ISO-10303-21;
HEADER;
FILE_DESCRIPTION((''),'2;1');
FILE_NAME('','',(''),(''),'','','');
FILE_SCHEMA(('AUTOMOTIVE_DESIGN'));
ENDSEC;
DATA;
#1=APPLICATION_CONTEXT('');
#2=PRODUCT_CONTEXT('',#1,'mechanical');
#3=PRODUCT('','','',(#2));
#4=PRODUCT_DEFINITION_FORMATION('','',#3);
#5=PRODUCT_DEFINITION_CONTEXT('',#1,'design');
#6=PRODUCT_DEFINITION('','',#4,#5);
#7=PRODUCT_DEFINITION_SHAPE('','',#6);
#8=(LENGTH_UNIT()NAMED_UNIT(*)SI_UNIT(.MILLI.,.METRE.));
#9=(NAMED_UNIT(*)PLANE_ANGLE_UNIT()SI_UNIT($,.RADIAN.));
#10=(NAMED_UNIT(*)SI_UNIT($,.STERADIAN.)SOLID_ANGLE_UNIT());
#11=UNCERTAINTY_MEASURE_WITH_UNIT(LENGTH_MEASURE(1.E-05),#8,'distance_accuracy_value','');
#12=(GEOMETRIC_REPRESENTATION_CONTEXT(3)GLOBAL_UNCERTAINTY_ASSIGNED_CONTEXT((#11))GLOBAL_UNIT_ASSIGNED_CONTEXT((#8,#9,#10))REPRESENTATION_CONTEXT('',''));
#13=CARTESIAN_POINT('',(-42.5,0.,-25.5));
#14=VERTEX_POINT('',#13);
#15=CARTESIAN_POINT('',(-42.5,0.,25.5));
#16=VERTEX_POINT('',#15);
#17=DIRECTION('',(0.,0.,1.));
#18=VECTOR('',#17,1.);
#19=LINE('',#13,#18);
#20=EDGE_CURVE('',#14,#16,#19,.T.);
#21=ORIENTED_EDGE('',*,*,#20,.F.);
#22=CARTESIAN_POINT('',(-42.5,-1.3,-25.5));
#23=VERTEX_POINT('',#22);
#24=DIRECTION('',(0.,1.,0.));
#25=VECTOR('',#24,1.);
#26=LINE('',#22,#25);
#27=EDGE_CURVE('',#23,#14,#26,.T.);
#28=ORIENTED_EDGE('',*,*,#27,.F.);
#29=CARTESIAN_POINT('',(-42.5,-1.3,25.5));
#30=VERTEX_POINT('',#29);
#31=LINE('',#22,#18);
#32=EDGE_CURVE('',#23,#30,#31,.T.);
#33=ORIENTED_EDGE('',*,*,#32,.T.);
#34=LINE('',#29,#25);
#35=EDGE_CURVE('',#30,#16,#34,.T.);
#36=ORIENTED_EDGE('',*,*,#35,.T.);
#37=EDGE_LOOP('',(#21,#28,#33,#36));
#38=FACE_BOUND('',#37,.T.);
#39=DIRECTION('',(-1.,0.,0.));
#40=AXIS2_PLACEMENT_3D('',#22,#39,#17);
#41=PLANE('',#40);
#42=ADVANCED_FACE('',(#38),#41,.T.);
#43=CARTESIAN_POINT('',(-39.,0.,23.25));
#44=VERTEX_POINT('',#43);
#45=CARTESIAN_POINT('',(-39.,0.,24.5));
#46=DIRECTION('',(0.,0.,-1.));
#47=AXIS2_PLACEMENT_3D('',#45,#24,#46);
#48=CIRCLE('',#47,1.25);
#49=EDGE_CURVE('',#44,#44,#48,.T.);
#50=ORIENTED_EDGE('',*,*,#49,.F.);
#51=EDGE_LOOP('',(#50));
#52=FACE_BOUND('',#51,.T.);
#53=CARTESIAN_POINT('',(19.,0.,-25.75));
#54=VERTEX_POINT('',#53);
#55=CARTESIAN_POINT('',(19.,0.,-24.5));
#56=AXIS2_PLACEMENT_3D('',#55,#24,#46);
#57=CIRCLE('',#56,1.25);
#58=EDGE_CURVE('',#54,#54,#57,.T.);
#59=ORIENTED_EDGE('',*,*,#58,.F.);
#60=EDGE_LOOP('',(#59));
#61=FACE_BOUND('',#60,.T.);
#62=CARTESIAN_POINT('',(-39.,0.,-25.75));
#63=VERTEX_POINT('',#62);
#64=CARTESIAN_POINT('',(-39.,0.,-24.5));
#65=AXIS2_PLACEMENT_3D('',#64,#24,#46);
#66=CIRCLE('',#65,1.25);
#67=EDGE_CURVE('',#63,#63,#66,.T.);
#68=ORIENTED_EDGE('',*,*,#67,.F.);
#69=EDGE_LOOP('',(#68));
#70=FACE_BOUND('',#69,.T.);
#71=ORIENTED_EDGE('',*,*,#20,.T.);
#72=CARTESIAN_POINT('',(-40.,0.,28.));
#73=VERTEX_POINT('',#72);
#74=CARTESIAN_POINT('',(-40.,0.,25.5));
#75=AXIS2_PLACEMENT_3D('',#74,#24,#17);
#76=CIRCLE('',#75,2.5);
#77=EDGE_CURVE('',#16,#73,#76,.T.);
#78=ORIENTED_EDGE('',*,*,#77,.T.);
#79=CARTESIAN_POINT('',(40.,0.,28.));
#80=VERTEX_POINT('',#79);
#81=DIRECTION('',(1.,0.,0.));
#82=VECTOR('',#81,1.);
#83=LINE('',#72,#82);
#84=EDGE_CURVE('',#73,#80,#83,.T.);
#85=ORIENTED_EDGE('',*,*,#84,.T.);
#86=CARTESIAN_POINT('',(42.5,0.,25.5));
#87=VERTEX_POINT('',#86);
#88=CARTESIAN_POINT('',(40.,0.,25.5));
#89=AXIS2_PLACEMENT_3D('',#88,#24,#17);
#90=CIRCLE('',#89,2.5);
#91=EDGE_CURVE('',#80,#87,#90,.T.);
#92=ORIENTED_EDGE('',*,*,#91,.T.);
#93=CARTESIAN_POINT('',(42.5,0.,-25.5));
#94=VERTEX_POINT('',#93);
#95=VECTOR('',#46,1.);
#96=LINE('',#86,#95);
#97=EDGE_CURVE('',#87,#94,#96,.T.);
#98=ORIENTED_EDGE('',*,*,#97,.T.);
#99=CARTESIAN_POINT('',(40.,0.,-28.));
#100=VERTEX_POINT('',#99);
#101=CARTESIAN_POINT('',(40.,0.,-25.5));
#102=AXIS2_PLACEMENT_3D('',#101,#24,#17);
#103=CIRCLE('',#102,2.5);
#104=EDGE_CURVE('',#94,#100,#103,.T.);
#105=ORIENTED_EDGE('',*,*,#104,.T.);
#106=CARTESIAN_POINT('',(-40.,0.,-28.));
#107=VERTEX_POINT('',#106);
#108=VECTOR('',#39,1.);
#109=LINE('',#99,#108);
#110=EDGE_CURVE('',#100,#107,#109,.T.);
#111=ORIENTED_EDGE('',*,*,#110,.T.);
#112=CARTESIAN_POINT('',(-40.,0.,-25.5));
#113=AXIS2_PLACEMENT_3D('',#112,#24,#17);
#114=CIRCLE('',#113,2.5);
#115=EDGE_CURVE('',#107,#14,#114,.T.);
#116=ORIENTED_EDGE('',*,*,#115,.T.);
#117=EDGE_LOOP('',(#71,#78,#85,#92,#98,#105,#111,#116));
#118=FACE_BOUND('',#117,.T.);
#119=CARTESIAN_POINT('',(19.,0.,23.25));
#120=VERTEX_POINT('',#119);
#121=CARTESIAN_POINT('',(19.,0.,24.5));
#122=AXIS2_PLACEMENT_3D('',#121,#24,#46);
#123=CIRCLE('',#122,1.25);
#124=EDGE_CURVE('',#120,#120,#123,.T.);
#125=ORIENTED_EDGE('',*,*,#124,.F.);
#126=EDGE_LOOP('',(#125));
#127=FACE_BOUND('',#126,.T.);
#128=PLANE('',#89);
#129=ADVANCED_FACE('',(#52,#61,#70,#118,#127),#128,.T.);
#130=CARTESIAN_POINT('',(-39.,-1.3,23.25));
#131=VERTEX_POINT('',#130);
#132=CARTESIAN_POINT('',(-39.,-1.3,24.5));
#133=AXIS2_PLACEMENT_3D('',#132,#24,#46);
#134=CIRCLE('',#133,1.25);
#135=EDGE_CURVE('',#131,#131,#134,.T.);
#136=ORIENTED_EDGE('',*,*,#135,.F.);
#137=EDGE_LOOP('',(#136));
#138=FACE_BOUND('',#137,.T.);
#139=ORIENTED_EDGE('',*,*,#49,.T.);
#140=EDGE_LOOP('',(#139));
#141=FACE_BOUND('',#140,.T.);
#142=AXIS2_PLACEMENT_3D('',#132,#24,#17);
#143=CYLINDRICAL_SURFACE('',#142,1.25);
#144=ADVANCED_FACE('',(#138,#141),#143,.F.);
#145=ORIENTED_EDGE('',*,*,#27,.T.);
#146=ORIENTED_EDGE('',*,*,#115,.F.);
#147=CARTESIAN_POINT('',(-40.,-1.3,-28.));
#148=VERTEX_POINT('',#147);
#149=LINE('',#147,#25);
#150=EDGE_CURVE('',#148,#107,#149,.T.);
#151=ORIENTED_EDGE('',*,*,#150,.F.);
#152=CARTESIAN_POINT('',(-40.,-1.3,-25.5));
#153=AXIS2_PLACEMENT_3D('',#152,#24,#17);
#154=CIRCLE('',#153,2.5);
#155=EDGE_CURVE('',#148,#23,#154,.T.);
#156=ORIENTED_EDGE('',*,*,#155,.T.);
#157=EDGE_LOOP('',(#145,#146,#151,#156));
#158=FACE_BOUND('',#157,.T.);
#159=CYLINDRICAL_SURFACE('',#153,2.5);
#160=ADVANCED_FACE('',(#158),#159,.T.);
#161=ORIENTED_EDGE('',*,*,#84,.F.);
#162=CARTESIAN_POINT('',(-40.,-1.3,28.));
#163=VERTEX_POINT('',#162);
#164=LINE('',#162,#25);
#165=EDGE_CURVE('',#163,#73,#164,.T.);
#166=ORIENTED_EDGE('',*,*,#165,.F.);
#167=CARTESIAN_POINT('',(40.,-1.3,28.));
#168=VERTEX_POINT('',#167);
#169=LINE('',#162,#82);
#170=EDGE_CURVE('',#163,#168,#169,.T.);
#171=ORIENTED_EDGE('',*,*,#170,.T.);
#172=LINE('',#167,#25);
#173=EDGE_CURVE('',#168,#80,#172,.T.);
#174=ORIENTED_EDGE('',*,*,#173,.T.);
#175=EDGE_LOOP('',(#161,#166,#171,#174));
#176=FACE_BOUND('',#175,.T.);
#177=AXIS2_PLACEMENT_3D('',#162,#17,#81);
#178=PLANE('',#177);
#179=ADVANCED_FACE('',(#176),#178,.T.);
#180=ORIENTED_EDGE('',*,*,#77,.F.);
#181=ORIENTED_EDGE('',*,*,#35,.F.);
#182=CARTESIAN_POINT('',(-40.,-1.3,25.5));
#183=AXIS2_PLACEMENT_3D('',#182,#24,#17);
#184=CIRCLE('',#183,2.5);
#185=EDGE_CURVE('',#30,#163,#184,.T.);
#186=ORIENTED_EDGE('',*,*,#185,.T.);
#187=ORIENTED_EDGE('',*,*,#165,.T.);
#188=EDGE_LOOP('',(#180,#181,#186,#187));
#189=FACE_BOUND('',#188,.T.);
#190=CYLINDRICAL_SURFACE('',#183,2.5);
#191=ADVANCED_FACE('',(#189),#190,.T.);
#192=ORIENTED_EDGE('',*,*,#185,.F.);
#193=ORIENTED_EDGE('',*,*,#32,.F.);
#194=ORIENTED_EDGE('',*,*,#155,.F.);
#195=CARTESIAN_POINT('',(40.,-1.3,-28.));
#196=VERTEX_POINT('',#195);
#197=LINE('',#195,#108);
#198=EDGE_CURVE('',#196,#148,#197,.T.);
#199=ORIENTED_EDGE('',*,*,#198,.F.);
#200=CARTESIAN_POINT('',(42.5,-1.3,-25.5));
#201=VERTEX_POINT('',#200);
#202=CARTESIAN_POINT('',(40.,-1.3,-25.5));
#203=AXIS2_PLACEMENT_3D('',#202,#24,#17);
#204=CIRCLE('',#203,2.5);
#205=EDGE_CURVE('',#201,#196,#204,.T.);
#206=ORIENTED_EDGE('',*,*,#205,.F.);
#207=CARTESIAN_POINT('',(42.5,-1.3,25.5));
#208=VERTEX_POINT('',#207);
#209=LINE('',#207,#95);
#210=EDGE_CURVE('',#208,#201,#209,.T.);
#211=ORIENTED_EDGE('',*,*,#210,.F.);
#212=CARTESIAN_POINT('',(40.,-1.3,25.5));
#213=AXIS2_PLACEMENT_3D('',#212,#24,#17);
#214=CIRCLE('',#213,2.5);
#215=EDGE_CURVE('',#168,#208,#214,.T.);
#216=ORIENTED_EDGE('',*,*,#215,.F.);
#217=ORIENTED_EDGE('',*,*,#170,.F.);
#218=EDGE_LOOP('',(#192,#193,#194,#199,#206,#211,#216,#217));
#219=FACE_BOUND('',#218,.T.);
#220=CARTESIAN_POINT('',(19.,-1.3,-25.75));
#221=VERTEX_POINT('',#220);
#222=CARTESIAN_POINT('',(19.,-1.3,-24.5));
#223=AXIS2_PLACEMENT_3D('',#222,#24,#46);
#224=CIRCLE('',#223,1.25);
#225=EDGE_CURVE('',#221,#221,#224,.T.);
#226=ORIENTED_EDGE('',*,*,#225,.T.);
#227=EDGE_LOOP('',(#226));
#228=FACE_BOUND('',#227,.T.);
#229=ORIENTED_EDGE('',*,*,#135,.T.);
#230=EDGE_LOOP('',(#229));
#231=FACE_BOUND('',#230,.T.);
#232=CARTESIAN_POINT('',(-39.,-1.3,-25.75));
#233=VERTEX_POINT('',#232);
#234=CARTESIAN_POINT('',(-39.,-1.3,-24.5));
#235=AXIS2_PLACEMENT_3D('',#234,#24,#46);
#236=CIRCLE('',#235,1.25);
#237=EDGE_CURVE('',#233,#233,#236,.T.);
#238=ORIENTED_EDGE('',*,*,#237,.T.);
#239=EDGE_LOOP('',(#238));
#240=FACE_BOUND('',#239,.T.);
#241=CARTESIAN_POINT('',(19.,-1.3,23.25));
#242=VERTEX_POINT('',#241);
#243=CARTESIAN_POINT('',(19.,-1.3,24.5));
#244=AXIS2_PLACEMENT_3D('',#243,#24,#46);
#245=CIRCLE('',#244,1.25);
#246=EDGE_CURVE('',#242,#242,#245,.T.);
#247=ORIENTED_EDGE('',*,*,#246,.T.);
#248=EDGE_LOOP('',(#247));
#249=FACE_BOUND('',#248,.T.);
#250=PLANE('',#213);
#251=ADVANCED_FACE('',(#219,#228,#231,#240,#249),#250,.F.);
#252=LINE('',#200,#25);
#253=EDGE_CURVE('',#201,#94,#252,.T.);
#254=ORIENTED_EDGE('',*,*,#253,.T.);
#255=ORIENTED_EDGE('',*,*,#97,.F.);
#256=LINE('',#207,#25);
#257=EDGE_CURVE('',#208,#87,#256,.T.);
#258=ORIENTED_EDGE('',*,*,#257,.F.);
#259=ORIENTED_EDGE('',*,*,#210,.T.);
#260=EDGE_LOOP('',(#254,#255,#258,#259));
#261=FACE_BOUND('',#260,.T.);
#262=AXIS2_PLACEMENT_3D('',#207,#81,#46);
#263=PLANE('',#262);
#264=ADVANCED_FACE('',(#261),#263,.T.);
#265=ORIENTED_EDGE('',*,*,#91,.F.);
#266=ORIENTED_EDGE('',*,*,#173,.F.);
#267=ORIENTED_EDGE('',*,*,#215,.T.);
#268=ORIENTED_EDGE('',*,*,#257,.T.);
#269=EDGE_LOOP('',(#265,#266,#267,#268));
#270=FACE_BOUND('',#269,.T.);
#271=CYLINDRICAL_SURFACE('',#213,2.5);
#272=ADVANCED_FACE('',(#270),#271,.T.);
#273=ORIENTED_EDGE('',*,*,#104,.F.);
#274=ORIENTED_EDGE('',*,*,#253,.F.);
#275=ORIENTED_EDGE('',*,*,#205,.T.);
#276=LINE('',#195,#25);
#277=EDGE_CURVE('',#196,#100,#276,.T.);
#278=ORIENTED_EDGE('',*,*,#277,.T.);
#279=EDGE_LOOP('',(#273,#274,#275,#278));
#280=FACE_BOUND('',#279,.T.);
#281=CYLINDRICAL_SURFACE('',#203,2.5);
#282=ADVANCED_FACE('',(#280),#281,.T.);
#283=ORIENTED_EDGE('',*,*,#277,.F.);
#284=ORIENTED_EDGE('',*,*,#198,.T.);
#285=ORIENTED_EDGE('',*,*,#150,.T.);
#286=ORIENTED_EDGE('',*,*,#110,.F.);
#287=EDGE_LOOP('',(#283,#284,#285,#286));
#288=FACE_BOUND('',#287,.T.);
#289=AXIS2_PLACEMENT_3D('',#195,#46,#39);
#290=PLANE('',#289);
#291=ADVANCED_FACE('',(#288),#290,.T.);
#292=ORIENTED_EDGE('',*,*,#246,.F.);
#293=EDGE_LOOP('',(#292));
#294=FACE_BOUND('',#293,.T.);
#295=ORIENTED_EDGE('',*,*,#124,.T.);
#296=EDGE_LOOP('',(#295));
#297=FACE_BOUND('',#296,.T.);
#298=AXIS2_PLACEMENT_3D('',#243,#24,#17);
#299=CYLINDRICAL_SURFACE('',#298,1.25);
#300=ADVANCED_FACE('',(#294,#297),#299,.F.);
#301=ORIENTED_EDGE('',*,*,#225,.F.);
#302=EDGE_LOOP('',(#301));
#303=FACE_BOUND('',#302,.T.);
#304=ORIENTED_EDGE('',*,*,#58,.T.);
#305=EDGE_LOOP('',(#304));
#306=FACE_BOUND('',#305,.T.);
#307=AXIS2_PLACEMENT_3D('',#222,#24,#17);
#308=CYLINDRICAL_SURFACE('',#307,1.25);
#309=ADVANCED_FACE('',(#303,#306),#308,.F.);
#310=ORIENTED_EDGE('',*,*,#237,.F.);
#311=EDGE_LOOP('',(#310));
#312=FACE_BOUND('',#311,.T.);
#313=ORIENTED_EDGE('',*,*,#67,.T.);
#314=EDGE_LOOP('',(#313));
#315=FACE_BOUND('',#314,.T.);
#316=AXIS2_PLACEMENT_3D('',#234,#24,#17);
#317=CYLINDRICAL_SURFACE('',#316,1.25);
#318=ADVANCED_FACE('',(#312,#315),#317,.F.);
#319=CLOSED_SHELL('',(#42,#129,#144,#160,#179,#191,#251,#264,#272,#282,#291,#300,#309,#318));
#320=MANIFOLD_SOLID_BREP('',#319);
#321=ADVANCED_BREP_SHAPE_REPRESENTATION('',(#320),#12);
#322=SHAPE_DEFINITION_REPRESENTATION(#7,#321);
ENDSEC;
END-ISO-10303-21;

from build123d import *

# Parameters (mm, degrees)
SCHIZZO1_R                   = 1.25
ESTRUSIONE_ESTRUSIONE1_DEPTH = 1.3


with BuildPart() as part:
    # Schizzo1 → Estrusione-Estrusione1 (new body)
    with BuildSketch(Plane(origin=(0, 0, 0), x_dir=(1, 0, 0), z_dir=(0, 1, 0))):
        with BuildLine():
            Line((42.5, -25.5), (42.5, 25.5))
            ThreePointArc((42.5, 25.5), (41.767766953, 27.267766953), (40, 28))
            Line((40, 28), (-40, 28))
            ThreePointArc((-40, 28), (-41.767766953, 27.267766953), (-42.5, 25.5))
            Line((-42.5, 25.5), (-42.5, -25.5))
            ThreePointArc((-42.5, -25.5), (-41.767766953, -27.267766953), (-40, -28))
            Line((-40, -28), (40, -28))
            ThreePointArc((40, -28), (41.767766953, -27.267766953), (42.5, -25.5))
        make_face()
        with Locations(Location((19, 24.5, 0), (0, 0, 90))):  # turned: the seam where the file's is
            Circle(SCHIZZO1_R, mode=Mode.SUBTRACT)
        with Locations(Location((-39, 24.5, 0), (0, 0, 90))):  # turned: the seam where the file's is
            Circle(SCHIZZO1_R, mode=Mode.SUBTRACT)
        with Locations(Location((-39, -24.5, 0), (0, 0, 90))):  # turned: the seam where the file's is
            Circle(SCHIZZO1_R, mode=Mode.SUBTRACT)
        with Locations(Location((19, -24.5, 0), (0, 0, 90))):  # turned: the seam where the file's is
            Circle(SCHIZZO1_R, mode=Mode.SUBTRACT)
    extrude(amount=-ESTRUSIONE_ESTRUSIONE1_DEPTH)


solid = part.part
